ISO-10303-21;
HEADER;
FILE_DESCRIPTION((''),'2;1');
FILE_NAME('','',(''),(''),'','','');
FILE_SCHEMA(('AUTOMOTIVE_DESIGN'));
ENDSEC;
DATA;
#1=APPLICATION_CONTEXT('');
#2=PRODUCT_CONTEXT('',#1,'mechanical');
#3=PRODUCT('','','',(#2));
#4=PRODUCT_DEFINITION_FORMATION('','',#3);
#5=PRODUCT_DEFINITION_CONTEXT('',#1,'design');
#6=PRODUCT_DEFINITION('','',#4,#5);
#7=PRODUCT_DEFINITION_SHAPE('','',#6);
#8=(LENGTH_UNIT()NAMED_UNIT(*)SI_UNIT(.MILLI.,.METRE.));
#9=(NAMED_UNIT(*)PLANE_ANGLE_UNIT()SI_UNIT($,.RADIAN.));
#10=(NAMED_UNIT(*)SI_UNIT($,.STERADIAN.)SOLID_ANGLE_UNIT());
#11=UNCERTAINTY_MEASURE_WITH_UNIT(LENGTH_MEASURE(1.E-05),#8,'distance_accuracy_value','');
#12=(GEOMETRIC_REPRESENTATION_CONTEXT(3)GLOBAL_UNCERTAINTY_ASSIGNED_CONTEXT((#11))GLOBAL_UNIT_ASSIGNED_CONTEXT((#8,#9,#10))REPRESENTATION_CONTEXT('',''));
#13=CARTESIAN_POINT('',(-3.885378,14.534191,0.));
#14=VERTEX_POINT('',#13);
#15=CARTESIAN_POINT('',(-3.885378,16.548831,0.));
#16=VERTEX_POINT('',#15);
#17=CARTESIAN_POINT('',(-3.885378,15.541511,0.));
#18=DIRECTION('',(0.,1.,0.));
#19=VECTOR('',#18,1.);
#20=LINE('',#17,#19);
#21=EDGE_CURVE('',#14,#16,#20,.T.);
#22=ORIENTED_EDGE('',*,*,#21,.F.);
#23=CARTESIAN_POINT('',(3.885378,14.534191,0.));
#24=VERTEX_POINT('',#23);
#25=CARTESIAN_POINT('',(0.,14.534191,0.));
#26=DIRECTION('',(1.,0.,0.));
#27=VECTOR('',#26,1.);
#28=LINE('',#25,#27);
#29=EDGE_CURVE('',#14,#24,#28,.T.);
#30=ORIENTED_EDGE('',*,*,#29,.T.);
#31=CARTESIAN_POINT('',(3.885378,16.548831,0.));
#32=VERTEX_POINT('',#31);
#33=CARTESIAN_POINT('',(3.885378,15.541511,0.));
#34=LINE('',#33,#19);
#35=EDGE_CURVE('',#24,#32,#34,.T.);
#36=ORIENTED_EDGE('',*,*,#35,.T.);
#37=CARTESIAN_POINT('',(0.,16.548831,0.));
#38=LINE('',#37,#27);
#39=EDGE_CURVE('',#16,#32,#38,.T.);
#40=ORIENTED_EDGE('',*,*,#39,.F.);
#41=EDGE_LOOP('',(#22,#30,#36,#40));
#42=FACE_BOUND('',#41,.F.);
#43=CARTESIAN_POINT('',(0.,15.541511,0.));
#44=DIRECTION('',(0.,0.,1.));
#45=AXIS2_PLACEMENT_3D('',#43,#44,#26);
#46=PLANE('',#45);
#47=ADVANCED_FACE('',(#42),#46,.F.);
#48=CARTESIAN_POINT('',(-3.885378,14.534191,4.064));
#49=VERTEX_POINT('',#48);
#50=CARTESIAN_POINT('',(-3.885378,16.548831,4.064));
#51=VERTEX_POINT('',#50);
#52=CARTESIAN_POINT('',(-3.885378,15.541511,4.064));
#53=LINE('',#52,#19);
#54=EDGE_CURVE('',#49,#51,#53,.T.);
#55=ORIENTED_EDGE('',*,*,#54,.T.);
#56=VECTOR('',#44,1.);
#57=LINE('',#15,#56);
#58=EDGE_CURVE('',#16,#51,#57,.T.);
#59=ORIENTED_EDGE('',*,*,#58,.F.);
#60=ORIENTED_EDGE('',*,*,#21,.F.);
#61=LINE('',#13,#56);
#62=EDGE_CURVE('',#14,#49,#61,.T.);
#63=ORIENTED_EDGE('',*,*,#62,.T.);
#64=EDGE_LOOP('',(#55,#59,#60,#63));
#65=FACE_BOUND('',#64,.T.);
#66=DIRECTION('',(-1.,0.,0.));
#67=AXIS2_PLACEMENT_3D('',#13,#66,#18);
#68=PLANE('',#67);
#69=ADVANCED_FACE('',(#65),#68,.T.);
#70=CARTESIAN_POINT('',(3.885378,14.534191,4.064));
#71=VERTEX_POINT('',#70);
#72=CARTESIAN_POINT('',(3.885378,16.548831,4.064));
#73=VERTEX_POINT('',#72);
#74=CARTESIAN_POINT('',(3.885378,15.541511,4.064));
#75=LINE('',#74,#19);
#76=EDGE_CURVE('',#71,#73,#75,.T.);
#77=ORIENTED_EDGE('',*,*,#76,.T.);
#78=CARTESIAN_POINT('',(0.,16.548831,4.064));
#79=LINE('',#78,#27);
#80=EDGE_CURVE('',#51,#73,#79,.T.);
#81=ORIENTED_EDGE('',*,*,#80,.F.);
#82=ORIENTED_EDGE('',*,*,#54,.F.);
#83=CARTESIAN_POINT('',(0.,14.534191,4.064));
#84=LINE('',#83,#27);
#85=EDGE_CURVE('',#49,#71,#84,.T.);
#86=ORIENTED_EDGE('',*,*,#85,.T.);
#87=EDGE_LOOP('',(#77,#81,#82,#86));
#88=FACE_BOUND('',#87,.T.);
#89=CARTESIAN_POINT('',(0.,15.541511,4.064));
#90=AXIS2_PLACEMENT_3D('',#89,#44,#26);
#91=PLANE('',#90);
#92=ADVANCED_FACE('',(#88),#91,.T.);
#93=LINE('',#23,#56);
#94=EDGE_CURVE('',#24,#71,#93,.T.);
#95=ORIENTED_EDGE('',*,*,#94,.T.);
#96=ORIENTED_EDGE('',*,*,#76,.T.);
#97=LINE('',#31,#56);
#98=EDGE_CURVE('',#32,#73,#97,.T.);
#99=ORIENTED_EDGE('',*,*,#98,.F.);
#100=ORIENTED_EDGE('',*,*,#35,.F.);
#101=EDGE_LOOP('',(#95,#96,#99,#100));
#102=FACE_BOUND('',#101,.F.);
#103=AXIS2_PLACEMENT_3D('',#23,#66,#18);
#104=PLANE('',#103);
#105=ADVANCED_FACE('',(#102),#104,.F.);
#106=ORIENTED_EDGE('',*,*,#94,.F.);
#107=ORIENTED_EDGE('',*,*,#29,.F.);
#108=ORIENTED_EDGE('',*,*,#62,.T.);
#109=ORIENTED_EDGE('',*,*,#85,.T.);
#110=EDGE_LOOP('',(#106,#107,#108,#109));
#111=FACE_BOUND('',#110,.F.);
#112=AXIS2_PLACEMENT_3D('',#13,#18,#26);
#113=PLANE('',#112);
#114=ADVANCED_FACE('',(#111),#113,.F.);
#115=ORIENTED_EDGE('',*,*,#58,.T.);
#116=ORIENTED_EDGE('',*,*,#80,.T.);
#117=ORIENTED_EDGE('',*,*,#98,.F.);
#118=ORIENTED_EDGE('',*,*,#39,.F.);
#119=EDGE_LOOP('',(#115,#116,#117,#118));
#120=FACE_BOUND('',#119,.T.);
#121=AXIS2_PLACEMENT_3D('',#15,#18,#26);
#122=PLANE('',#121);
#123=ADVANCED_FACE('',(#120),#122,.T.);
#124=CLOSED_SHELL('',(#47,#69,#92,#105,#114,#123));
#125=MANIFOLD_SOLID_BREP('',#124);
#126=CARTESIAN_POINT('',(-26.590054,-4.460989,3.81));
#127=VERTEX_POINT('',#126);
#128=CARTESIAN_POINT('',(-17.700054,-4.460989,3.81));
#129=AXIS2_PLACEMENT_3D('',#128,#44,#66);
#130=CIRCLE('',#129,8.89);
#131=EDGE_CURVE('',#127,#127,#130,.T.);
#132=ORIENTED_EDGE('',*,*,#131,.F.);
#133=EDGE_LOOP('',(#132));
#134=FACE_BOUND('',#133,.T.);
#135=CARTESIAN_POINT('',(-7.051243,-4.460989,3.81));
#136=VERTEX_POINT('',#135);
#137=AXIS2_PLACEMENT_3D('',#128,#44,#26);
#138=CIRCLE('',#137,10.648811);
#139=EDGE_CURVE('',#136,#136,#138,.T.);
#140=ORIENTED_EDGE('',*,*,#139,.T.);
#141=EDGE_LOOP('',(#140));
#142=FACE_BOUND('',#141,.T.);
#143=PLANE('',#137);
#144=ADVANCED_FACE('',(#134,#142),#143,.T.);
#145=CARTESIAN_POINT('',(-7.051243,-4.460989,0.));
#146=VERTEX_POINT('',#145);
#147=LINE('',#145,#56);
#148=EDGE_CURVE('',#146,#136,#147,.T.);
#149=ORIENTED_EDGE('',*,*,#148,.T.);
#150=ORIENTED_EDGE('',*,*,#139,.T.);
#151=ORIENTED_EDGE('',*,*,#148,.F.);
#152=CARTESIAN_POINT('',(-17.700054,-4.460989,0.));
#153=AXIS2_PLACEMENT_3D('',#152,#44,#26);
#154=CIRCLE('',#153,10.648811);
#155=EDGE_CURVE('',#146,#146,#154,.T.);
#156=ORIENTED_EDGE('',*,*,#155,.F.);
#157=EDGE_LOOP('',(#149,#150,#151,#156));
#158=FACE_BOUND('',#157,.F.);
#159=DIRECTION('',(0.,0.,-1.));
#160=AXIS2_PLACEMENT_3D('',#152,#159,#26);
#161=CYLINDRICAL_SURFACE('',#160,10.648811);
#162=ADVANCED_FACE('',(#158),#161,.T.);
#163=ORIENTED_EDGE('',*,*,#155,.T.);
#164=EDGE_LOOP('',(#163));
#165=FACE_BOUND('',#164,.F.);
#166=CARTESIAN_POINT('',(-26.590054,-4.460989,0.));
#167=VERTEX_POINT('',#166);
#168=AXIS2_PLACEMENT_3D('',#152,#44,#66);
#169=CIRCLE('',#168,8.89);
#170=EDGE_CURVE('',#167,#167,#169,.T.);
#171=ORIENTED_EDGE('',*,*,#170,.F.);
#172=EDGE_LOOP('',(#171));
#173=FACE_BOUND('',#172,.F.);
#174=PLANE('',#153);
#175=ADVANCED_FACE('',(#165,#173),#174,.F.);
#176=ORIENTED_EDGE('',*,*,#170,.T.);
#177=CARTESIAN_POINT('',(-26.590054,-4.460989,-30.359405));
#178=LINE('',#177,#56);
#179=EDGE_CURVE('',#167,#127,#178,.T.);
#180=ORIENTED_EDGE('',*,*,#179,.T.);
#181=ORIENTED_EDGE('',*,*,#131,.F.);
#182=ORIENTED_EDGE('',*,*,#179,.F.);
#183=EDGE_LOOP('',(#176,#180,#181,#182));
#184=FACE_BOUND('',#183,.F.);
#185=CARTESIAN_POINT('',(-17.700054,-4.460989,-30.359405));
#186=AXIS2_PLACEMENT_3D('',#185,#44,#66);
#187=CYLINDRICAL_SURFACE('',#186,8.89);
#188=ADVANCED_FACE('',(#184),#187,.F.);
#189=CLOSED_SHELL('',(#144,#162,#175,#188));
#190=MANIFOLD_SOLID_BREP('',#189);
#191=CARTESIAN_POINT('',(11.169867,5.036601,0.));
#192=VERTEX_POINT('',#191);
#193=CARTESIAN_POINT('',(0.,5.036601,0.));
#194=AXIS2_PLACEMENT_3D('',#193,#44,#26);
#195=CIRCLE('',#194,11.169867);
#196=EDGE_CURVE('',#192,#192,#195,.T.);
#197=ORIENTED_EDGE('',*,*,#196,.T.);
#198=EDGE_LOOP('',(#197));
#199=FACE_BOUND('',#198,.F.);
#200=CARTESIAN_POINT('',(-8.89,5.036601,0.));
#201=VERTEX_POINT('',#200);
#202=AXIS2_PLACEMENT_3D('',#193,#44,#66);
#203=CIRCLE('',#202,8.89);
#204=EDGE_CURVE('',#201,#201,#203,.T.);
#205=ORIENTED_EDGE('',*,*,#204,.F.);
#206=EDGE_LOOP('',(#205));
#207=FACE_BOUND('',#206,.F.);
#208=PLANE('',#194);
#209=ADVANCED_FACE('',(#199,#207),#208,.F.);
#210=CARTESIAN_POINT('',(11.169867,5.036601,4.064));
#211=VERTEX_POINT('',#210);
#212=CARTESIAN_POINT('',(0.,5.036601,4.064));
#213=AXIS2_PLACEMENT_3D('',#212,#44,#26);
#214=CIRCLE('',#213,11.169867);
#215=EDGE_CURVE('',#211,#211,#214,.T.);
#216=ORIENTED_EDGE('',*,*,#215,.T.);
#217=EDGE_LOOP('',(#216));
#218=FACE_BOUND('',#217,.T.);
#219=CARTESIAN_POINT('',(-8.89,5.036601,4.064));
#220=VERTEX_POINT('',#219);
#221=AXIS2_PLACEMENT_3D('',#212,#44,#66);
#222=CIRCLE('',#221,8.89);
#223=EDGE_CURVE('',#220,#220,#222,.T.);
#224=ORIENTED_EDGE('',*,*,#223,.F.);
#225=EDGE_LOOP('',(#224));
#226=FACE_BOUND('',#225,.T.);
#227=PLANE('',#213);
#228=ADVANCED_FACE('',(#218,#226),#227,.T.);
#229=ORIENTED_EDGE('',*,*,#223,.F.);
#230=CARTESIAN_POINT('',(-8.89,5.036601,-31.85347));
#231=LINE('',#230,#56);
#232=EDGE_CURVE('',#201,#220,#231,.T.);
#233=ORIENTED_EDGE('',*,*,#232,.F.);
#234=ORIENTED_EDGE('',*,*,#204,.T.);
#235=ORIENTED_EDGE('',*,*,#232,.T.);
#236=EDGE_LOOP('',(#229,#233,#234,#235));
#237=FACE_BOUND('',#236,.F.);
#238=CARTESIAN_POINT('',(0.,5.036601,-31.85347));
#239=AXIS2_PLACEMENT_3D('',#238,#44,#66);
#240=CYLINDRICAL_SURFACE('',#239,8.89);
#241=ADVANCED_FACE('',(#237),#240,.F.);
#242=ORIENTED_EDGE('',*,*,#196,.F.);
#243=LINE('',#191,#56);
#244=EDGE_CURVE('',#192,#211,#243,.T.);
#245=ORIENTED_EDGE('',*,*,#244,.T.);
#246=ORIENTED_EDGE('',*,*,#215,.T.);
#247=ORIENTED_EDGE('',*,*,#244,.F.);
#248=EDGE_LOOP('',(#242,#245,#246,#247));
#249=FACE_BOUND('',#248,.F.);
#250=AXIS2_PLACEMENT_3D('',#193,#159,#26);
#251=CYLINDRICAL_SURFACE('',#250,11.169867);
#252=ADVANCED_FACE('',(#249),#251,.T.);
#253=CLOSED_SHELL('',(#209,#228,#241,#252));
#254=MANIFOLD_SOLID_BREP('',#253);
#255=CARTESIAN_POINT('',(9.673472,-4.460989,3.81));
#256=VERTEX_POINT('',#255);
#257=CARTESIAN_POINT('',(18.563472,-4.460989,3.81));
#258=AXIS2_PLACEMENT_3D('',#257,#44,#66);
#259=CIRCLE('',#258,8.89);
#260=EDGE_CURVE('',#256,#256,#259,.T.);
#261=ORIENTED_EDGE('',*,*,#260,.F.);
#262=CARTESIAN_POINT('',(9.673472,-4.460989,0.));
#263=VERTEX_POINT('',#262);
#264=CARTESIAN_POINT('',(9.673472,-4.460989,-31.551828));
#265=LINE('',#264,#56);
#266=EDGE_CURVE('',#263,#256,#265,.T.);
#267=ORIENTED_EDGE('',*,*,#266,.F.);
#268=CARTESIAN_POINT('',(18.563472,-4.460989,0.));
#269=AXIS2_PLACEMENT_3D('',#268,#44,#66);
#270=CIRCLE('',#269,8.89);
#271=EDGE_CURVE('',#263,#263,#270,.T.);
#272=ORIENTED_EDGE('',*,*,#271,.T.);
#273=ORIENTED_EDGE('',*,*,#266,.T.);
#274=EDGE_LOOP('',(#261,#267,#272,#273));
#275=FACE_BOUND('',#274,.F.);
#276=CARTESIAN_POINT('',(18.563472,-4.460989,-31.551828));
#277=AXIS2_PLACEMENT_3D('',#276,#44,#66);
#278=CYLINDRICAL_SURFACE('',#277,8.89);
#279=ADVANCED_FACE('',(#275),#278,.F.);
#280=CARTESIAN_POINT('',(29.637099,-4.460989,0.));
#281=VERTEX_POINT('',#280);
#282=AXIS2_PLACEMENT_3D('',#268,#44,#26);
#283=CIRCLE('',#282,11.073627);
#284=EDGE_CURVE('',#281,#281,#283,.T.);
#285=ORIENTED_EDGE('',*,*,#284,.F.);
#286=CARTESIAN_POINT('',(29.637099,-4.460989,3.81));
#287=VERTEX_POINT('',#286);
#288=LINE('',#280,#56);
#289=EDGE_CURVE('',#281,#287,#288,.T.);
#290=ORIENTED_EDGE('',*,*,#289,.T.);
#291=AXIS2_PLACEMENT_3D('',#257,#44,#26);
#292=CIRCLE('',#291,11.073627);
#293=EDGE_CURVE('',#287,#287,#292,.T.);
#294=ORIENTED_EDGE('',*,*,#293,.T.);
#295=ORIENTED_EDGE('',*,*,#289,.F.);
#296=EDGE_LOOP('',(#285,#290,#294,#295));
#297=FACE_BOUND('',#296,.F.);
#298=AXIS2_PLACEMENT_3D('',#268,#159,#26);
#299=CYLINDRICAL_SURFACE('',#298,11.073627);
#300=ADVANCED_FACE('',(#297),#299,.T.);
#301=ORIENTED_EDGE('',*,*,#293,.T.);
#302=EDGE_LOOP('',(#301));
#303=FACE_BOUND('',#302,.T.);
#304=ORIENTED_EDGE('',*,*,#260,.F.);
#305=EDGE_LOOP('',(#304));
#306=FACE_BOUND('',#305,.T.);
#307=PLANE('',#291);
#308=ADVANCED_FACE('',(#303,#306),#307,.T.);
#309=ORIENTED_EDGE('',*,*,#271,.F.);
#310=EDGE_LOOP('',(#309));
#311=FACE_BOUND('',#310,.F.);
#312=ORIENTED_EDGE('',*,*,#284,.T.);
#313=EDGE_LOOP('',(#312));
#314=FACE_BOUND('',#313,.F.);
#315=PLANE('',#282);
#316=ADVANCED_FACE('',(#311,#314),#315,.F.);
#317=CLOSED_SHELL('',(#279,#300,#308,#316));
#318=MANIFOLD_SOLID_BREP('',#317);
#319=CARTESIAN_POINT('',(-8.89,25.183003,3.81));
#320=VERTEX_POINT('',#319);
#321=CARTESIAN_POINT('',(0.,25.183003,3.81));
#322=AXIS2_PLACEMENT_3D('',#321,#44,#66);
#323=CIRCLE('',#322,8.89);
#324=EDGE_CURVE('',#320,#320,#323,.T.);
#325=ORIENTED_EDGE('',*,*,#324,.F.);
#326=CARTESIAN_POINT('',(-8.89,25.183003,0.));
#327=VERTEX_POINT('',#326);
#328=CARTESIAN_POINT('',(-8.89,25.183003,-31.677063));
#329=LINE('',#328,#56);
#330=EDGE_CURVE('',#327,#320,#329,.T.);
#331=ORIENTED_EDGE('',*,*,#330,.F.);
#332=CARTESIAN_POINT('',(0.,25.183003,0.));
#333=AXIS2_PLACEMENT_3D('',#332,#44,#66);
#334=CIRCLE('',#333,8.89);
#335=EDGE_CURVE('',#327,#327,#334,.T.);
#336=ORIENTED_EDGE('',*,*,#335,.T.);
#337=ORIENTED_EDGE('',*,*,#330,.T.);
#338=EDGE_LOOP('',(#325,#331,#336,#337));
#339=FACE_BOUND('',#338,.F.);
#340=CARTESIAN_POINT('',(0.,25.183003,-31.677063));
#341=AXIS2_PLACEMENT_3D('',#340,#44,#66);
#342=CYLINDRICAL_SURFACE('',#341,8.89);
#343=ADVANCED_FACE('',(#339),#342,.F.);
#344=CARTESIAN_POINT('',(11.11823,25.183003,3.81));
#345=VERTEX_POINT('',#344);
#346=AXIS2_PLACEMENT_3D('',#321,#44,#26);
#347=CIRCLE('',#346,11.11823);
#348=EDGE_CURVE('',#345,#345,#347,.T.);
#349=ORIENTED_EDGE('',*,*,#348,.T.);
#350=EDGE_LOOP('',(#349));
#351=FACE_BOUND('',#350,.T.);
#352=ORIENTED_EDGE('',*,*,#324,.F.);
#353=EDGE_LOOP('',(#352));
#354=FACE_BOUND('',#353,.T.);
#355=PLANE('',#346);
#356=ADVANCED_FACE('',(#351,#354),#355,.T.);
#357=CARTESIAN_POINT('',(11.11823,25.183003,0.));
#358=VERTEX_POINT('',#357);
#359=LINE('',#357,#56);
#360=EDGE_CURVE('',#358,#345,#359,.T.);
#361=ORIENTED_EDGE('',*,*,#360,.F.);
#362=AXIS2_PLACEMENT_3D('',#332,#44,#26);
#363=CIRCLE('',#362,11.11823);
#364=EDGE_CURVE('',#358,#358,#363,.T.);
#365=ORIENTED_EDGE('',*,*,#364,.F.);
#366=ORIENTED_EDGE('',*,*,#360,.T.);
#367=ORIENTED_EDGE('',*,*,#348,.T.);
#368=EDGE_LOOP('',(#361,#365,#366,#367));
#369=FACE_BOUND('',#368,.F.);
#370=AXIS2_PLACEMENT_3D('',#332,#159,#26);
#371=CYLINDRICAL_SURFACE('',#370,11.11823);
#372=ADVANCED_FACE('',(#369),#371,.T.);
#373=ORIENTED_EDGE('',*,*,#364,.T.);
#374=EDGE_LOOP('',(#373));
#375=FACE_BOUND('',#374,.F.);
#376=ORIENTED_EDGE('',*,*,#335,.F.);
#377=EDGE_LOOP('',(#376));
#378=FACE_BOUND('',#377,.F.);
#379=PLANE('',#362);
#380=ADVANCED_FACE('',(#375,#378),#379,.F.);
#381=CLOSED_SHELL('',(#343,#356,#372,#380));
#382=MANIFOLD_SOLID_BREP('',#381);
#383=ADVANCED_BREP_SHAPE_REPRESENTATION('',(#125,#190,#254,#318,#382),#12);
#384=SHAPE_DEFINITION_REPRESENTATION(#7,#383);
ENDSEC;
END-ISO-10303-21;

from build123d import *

# Parameters (mm, degrees)
F0_R     = 11.1182295212
F1_DEPTH = 3.81
F0_R_2   = 10.6488108635
F0_R_3   = 11.0736272213
F2_D     = 17.78
F2_2_D   = 17.78
F2_3_D   = 17.78
F3_R     = 11.1698672286
F4_DEPTH = 4.064
F5_D     = 17.78
F6_W     = 7.7707553282
F6_H     = 2.0146397874
F7_DEPTH = 4.064


with BuildPart() as f1:
    # F0 (on Top) → F1 (new body)
    with BuildSketch(Plane.XY):
        with Locations((0, 25.1830033958)):
            Circle(F0_R)
    extrude(amount=F1_DEPTH)

    # F2 (through all)
    with Locations(Plane(origin=(0, 0, 0), x_dir=(1, 0, 0), z_dir=(0, 0, -1))):
        with Locations((0, -25.1830033958), (-17.7000537515, 4.4609890319), (18.5634717345, 4.4609890319)):
            Hole(F2_D / 2)


with BuildPart() as f1b:
    # F0 (on Top) → F1, piece 2 (new body)
    with BuildSketch(Plane.XY):
        with Locations((-17.7000537515, -4.4609890319)):
            Circle(F0_R_2)
    extrude(amount=F1_DEPTH)

    # F2#2 (through all)
    with Locations(Plane(origin=(0, 0, 0), x_dir=(1, 0, 0), z_dir=(0, 0, -1))):
        with Locations((0, -25.1830033958), (-17.7000537515, 4.4609890319), (18.5634717345, 4.4609890319)):
            Hole(F2_2_D / 2)


with BuildPart() as f1c:
    # F0 (on Top) → F1, piece 3 (new body)
    with BuildSketch(Plane.XY):
        with Locations((18.5634717345, -4.4609890319)):
            Circle(F0_R_3)
    extrude(amount=F1_DEPTH)

    # F2#3 (through all)
    with Locations(Plane(origin=(0, 0, 0), x_dir=(1, 0, 0), z_dir=(0, 0, -1))):
        with Locations((0, -25.1830033958), (-17.7000537515, 4.4609890319), (18.5634717345, 4.4609890319)):
            Hole(F2_3_D / 2)


with BuildPart() as f4:
    # F3 (on Top) → F4 (new body)
    with BuildSketch(Plane.XY):
        with Locations((0, 5.0366008654)):
            Circle(F3_R)
    extrude(amount=F4_DEPTH)

    # F5 (through all)
    with Locations(Plane(origin=(0, 0, 0), x_dir=(1, 0, 0), z_dir=(0, 0, -1))):
        with Locations((0, -5.0366008654)):
            Hole(F5_D / 2)


with BuildPart() as f7:
    # F6 (on Top) → F7 (new body)
    with BuildSketch(Plane.XY):
        with Locations((0, 15.5415111221)):
            Rectangle(F6_W, F6_H)
    extrude(amount=F7_DEPTH)


solid = Compound([f1.part, f1b.part, f1c.part, f4.part, f7.part])
